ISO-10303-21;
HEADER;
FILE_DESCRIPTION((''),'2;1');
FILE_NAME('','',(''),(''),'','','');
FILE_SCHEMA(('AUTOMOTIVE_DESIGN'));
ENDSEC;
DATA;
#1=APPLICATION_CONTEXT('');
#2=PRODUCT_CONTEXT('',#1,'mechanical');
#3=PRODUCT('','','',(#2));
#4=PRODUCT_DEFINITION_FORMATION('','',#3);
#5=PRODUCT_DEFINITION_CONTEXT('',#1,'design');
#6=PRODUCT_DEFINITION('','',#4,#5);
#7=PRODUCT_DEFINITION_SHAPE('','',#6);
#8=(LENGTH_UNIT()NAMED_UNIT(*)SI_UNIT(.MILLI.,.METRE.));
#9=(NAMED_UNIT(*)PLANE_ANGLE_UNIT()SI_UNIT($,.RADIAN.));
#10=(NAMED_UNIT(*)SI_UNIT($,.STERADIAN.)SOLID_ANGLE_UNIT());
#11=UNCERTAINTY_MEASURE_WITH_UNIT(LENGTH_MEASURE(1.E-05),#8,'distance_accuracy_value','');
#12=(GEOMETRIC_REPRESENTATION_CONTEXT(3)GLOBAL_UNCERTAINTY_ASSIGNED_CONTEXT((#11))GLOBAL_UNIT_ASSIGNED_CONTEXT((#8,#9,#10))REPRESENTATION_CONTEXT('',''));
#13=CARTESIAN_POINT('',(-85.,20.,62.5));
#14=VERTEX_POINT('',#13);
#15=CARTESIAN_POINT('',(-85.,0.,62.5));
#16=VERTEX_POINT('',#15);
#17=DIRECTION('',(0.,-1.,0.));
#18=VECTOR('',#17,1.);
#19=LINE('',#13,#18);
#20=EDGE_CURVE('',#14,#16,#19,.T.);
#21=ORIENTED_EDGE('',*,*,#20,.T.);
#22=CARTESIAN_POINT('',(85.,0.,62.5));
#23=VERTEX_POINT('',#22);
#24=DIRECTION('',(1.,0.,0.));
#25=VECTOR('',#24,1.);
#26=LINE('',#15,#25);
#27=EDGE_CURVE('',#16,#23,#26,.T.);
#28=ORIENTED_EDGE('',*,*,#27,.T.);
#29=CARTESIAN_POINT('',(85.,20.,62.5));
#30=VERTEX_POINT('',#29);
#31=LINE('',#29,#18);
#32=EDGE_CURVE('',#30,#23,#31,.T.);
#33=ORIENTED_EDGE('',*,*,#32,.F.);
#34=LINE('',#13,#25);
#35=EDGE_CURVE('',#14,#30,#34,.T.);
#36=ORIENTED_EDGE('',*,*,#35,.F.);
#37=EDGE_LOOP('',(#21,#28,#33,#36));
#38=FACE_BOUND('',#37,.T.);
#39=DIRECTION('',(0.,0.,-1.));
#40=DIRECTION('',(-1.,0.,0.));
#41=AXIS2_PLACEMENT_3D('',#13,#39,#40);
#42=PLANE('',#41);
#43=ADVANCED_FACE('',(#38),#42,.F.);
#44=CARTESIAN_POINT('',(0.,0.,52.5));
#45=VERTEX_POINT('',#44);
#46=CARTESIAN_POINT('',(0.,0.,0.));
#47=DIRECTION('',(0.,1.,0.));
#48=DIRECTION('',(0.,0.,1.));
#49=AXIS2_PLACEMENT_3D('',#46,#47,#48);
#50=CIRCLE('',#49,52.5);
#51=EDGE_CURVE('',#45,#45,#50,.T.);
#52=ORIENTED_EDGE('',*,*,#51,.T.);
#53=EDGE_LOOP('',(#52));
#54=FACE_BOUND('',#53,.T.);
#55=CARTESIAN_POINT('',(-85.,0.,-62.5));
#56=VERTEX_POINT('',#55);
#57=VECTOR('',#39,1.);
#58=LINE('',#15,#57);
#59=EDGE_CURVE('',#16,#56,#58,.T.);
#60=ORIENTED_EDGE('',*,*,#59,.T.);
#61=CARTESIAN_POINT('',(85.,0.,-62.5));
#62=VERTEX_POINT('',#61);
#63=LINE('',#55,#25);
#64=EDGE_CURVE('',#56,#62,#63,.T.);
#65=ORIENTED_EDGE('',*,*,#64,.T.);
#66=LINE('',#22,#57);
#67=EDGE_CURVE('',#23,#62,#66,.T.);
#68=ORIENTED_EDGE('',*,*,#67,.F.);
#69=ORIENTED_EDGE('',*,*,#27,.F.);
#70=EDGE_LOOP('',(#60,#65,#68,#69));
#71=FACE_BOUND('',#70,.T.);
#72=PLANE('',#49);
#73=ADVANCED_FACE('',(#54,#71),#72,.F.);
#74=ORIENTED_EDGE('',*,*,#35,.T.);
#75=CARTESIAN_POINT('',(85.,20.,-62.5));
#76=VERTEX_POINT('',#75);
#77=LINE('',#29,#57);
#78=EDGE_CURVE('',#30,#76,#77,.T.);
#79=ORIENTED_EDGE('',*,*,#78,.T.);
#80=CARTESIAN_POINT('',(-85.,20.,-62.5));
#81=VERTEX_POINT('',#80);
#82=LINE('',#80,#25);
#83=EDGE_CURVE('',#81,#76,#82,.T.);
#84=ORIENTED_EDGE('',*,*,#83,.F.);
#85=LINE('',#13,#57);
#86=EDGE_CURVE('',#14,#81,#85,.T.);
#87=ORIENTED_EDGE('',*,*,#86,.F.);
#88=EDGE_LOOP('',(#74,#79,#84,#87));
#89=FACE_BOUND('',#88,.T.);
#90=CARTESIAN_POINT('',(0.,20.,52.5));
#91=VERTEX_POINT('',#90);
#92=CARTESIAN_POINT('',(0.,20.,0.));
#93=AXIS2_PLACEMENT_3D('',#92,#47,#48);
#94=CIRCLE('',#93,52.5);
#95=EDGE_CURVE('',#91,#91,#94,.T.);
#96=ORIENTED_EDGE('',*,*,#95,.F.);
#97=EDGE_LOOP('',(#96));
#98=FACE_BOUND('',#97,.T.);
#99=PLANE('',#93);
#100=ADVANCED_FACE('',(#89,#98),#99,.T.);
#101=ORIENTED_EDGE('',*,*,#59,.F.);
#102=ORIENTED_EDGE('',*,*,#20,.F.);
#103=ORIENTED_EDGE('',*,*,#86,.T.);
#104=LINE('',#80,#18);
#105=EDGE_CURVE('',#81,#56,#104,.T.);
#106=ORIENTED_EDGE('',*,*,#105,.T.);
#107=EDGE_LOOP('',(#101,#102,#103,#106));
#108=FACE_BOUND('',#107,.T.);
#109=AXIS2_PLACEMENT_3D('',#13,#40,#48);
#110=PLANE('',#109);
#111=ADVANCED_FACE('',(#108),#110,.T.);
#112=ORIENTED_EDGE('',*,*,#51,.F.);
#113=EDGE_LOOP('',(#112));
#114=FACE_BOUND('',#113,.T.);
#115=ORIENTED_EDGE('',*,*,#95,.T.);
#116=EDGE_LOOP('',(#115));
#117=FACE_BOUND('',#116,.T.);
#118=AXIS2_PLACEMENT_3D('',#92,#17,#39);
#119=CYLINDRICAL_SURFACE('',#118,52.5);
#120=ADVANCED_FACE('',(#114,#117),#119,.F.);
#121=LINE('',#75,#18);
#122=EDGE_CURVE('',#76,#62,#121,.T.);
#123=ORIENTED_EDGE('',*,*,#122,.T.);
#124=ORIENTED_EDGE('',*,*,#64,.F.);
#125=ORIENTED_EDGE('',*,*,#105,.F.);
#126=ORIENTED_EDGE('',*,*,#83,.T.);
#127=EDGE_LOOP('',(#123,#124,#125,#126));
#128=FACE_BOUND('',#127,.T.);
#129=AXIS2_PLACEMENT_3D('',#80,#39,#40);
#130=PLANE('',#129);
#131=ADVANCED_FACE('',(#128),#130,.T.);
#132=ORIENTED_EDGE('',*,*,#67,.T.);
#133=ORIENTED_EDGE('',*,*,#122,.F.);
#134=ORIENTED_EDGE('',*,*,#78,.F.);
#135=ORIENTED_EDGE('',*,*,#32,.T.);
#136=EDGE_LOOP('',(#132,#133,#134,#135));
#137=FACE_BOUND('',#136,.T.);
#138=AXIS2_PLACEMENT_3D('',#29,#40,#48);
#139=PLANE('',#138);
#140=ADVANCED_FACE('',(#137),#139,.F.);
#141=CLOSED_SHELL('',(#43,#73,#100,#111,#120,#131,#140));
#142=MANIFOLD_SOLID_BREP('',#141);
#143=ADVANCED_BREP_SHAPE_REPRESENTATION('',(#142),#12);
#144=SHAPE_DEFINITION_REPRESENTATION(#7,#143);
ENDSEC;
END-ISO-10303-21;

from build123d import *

# Parameters (mm, degrees)
SKETCH1_W           = 170
SKETCH1_H           = 125
SKETCH1_R           = 52.5
BOSS_EXTRUDE1_DEPTH = 20


with BuildPart() as part:
    # Sketch1 → Boss-Extrude1 (new body)
    with BuildSketch(Plane(origin=(0, 0, 0), x_dir=(1, 0, 0), z_dir=(0, 1, 0))):
        Rectangle(SKETCH1_W, SKETCH1_H)
        with Locations(Location((0, 0, 0), (0, 0, 270))):
            Circle(SKETCH1_R, mode=Mode.SUBTRACT)
    extrude(amount=BOSS_EXTRUDE1_DEPTH)


solid = part.part
